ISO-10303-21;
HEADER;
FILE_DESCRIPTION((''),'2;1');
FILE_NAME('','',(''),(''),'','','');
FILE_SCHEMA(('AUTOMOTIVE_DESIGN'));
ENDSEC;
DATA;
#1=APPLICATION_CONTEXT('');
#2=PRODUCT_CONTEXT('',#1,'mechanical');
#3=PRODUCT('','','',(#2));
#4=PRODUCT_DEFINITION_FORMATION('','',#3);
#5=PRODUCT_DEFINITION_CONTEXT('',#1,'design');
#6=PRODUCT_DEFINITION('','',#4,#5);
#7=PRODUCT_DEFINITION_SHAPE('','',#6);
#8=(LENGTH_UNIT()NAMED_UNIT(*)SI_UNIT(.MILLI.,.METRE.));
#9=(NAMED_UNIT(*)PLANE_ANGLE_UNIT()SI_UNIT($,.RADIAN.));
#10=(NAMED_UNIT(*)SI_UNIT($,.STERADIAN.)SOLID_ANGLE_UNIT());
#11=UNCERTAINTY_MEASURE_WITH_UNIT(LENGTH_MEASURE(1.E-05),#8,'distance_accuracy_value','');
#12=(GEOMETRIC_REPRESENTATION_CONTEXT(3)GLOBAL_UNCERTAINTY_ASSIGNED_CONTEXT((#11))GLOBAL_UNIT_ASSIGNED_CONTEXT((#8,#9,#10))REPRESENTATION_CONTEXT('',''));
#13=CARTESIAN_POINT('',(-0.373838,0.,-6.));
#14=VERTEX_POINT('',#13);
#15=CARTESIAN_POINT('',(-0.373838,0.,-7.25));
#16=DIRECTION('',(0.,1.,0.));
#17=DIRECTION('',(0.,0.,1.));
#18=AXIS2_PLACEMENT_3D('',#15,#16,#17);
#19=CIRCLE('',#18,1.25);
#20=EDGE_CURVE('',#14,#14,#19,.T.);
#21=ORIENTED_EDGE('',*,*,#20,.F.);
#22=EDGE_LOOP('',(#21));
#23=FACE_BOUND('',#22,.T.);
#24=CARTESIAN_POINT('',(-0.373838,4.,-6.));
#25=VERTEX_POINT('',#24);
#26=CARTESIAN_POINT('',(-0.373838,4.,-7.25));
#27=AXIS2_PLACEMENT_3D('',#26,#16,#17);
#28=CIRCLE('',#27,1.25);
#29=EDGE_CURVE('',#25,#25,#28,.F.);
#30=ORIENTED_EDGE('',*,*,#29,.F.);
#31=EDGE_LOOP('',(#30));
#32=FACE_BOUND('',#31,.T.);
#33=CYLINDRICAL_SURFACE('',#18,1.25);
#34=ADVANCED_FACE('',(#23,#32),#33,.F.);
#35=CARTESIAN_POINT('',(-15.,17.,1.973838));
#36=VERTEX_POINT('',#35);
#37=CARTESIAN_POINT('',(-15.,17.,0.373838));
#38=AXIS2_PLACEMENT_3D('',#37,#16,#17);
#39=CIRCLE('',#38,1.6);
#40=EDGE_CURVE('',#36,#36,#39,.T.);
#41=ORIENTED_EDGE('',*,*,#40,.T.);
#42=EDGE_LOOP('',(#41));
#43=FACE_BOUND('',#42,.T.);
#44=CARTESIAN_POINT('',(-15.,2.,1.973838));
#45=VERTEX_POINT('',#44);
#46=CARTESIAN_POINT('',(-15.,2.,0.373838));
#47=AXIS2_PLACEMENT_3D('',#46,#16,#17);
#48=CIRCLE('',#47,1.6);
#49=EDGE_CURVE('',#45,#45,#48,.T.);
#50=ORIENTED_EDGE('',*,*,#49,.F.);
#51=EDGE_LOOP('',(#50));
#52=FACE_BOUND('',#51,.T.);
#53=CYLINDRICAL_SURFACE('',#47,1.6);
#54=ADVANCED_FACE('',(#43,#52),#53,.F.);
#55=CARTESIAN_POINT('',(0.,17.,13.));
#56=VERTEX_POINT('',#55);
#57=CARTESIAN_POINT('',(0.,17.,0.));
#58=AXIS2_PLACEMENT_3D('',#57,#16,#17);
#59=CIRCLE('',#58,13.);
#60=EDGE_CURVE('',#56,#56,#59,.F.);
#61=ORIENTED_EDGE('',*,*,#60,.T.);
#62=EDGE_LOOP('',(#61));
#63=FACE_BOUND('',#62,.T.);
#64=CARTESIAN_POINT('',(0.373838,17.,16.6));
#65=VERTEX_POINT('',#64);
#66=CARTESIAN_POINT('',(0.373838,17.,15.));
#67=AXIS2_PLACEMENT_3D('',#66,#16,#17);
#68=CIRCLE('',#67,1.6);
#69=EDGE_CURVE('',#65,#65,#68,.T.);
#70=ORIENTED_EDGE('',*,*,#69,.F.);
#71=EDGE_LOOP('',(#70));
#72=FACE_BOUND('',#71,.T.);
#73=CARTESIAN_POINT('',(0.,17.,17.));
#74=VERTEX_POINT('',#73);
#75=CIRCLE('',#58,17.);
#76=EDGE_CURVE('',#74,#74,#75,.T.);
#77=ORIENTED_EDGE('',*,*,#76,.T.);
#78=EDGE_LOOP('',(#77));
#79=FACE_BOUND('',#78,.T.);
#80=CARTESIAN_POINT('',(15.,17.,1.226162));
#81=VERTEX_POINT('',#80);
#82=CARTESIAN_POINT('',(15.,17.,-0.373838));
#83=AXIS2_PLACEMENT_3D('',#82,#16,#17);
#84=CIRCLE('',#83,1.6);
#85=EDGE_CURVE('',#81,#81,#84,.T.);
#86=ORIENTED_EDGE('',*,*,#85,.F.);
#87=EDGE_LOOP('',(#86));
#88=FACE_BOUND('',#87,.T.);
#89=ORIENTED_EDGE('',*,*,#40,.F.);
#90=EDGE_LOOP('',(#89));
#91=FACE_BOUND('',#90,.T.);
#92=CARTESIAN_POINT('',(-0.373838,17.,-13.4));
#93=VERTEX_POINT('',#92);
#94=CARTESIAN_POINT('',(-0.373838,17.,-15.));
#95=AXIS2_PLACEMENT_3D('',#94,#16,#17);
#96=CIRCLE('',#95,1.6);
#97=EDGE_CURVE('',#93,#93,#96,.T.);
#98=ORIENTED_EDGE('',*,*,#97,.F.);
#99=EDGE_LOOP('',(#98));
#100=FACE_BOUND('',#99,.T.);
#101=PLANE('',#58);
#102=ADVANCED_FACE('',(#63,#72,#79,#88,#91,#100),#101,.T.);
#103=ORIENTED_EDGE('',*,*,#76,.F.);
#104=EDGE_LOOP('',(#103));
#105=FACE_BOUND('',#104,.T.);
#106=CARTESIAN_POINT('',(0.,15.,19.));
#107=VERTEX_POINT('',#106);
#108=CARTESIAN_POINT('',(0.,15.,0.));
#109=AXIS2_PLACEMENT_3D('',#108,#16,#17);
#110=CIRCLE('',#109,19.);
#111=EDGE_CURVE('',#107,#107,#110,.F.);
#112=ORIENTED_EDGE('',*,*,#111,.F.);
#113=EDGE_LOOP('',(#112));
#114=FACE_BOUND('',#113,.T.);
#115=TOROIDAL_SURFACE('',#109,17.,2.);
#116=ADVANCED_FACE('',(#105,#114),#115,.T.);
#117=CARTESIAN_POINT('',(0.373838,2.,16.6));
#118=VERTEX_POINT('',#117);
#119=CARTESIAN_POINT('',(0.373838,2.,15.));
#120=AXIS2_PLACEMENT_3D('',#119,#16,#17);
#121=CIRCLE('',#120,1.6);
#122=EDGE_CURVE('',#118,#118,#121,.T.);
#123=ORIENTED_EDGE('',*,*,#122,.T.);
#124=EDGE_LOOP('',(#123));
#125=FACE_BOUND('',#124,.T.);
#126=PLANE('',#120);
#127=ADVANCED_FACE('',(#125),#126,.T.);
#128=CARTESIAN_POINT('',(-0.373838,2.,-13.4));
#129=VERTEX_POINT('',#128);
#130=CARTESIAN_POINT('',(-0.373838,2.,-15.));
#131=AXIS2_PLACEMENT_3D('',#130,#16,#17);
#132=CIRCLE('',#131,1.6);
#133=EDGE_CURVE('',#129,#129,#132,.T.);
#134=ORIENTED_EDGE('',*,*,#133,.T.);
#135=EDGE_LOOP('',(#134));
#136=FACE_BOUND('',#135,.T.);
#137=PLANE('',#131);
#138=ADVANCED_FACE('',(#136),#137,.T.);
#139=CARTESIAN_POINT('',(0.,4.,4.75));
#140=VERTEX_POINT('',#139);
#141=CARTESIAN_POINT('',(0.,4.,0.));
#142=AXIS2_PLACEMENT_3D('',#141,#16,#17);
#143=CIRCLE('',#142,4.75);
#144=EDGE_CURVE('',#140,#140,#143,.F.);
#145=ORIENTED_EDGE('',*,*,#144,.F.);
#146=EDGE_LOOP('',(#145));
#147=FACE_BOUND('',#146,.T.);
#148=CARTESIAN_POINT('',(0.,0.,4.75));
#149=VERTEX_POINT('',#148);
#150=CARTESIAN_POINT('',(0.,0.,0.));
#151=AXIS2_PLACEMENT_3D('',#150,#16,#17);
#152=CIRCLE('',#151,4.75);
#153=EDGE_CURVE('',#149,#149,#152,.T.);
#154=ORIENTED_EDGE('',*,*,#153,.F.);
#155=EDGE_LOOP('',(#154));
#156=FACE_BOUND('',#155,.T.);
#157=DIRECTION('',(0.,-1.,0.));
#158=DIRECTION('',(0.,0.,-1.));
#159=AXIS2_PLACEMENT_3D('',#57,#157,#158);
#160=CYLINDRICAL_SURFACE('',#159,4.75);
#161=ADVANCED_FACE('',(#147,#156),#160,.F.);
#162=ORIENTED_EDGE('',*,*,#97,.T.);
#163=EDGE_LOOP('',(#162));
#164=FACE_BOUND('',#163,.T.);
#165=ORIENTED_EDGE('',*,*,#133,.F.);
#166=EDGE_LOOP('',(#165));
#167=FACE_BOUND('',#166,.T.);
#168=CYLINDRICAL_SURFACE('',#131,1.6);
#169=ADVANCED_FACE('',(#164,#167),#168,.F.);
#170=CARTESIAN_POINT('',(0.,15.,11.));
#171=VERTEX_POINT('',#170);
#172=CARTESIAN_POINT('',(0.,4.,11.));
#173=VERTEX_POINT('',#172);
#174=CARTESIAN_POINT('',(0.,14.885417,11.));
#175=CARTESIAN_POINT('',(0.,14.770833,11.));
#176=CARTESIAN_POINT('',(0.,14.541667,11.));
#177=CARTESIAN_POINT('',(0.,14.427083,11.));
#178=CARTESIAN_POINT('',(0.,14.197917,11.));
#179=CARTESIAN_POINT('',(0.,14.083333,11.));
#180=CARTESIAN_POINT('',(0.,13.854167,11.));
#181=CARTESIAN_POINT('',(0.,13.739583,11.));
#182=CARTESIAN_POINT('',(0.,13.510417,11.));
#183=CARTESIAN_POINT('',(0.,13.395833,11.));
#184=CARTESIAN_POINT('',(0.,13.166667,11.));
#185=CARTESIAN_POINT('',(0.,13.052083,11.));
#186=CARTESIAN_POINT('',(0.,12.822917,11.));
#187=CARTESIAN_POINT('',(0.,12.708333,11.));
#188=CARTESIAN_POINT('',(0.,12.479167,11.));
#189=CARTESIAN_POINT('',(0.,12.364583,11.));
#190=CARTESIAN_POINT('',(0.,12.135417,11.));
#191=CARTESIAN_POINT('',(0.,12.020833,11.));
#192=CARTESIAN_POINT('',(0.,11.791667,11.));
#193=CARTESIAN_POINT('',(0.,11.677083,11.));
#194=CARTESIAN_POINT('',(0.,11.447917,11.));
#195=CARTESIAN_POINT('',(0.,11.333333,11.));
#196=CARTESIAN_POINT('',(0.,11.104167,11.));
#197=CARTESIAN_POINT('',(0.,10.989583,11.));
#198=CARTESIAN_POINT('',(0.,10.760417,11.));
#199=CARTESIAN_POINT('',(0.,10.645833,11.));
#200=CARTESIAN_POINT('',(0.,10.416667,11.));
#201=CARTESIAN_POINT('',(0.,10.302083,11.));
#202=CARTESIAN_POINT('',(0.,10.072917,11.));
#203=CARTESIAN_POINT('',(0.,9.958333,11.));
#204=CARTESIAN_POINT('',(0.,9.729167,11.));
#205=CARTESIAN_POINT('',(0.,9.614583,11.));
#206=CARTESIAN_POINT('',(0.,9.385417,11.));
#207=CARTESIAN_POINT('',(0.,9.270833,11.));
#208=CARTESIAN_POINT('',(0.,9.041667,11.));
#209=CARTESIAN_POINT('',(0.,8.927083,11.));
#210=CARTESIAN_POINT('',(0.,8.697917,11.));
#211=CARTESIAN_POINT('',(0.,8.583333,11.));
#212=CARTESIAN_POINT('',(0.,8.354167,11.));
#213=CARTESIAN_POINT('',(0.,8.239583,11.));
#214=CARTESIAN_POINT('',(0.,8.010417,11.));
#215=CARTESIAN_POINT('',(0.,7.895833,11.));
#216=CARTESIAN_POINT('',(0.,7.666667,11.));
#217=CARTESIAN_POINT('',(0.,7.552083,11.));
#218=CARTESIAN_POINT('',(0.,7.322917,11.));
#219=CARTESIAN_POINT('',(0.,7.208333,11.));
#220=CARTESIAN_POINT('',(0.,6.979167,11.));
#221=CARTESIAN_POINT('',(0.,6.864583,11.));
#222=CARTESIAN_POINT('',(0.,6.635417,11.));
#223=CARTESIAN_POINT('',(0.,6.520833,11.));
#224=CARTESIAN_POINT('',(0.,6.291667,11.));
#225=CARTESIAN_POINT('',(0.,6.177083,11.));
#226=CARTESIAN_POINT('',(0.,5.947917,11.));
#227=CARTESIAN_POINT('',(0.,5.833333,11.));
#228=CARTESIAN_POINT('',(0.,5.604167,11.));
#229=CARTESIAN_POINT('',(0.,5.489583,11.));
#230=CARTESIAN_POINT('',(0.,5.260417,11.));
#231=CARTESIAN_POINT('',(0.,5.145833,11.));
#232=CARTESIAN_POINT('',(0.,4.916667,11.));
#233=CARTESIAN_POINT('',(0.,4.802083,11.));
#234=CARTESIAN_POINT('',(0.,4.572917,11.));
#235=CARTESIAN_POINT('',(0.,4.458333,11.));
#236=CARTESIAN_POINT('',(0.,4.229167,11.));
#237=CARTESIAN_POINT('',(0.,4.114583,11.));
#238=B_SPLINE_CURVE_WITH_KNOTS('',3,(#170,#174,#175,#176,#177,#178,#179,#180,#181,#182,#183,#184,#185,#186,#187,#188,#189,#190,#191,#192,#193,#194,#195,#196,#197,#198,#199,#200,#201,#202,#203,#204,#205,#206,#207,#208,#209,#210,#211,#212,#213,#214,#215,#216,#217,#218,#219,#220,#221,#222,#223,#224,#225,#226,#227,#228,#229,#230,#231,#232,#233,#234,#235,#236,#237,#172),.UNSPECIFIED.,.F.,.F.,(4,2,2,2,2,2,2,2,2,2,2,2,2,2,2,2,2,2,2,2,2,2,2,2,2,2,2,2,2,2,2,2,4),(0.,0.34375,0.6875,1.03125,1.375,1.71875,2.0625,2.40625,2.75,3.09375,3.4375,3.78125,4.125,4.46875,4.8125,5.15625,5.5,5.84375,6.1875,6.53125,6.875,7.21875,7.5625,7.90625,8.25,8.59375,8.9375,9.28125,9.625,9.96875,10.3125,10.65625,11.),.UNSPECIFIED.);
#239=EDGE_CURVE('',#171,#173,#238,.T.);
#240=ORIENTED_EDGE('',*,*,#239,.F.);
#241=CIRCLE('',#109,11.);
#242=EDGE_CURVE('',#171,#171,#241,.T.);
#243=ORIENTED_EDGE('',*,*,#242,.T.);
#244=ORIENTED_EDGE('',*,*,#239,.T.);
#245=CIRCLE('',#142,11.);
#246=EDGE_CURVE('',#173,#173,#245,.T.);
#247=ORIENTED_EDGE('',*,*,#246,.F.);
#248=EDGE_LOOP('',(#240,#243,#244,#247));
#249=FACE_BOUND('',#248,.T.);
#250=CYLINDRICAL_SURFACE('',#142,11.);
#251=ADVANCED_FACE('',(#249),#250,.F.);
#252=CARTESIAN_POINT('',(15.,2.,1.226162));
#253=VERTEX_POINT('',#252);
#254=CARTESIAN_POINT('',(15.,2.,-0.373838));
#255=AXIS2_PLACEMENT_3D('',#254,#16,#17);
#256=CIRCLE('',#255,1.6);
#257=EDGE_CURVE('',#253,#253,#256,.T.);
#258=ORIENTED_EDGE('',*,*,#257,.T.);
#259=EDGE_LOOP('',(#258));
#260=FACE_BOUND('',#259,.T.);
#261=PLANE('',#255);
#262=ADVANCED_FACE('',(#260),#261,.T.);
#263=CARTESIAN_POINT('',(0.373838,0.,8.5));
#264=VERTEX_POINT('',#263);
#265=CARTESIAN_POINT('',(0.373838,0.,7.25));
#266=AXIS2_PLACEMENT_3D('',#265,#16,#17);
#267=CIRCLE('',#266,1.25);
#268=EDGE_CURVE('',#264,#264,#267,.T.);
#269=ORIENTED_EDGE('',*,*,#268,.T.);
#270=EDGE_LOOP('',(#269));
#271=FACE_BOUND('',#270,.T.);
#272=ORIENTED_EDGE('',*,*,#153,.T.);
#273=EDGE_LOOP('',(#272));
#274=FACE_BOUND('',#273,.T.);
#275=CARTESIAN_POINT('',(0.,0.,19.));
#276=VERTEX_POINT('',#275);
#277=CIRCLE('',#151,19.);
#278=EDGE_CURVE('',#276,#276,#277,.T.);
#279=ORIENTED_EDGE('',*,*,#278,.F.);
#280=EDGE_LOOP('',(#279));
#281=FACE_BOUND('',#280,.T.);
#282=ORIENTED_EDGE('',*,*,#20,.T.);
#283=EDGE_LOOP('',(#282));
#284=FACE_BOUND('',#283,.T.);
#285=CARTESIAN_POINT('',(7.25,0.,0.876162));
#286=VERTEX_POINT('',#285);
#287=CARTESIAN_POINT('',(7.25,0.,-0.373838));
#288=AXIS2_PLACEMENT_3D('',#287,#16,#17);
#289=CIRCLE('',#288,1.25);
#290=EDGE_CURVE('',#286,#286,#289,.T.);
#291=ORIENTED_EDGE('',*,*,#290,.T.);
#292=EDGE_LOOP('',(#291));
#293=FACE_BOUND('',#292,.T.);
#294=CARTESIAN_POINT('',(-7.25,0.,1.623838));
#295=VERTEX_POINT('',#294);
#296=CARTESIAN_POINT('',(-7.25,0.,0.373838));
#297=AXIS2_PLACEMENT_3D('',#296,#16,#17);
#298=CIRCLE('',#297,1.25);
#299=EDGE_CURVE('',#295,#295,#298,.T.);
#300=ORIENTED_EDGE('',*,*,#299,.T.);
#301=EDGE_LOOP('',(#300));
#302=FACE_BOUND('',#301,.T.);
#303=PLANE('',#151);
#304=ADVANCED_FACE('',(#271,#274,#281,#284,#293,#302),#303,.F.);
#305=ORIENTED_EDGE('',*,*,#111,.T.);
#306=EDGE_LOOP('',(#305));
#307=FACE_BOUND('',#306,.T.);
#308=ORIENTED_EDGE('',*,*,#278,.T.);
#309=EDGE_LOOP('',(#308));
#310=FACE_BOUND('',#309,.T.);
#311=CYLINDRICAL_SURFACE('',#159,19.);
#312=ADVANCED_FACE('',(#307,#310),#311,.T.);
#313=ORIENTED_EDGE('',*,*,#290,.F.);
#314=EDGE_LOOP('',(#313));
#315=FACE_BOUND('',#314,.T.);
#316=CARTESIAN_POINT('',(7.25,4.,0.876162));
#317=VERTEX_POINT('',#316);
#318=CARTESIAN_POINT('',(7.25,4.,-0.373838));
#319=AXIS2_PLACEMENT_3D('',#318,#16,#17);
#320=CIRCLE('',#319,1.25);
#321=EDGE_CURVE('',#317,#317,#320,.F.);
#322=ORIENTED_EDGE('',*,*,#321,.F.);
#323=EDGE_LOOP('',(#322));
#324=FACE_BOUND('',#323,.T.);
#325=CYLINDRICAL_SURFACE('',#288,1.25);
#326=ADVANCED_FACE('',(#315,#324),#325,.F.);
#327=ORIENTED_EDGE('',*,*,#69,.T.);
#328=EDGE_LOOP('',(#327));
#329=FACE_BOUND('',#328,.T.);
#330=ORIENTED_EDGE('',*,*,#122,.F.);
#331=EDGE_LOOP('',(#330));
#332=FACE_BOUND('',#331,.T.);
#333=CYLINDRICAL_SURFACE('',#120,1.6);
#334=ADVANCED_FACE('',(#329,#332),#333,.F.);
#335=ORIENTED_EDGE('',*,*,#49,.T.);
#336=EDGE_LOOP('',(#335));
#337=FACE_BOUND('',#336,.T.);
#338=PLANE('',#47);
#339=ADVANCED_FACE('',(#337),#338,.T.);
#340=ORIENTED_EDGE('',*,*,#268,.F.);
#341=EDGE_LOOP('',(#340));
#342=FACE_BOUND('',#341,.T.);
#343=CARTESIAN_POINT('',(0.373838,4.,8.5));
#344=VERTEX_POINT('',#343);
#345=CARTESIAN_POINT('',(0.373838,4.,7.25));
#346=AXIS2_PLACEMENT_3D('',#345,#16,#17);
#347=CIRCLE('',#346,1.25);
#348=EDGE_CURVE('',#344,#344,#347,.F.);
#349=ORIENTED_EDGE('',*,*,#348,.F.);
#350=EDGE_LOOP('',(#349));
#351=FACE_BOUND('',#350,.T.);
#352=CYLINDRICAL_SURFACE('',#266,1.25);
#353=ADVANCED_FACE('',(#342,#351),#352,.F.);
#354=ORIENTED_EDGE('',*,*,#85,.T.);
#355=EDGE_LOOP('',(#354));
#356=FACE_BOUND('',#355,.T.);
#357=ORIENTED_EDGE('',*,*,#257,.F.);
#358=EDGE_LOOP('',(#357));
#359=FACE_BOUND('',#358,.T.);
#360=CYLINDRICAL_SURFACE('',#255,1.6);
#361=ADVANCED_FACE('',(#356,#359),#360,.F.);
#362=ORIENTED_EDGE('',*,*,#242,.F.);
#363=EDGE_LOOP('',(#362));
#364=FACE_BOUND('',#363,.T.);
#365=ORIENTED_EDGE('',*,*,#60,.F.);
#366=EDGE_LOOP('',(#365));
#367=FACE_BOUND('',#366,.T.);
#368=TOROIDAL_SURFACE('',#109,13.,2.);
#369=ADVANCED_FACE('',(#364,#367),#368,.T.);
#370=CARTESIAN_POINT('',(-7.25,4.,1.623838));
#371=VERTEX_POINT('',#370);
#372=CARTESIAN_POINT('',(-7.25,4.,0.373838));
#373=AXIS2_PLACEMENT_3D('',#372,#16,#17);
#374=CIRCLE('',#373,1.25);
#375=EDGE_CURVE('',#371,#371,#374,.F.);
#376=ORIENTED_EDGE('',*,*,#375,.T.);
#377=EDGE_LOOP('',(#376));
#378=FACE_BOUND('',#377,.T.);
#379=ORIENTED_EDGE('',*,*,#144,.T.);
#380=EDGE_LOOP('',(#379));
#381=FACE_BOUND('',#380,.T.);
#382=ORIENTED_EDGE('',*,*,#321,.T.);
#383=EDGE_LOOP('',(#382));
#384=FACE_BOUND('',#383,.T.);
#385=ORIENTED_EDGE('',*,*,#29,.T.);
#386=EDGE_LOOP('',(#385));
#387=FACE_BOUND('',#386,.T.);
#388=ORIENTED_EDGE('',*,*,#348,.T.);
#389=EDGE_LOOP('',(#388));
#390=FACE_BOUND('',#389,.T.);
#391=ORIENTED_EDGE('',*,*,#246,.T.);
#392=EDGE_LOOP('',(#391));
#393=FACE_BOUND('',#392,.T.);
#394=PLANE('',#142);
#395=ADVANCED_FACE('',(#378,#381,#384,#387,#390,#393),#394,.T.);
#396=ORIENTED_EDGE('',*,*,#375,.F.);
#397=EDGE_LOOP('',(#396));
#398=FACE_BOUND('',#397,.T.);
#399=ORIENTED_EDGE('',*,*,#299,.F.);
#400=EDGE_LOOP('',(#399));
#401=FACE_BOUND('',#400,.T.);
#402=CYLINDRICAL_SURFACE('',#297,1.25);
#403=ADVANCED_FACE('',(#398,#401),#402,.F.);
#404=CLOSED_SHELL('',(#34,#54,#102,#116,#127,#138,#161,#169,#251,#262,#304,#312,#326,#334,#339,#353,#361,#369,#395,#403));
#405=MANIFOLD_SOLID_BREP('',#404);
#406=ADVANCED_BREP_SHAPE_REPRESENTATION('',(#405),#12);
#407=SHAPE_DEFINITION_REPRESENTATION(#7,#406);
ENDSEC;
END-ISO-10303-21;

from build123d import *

# Parameters (mm, degrees)
SKETCH1_R           = 19
SKETCH1_R_2         = 4.75
BOSS_EXTRUDE1_DEPTH = 17
SKETCH2_R           = 1.25
CUT_EXTRUDE1_DEPTH  = 32.796226191
SKETCH3_R           = 1.6
CUT_EXTRUDE2_DEPTH  = 15
SKETCH4_R           = 11
SKETCH4_R_2         = 1.25
SKETCH4_R_3         = 4.75
CUT_EXTRUDE4_DEPTH  = 13
FILLET3_R           = 2


with BuildPart() as part:
    # Sketch1 → Boss-Extrude1 (new body)
    with BuildSketch(Plane(origin=(0, 0, 0), x_dir=(1, 0, 0), z_dir=(0, 1, 0))):
        with Locations(Location((0, 0, 0), (0, 0, 270))):
            Circle(SKETCH1_R)
        with Locations(Location((0, 0, 0), (0, 0, 270))):
            Circle(SKETCH1_R_2, mode=Mode.SUBTRACT)
    extrude(amount=BOSS_EXTRUDE1_DEPTH)

    # Sketch2 → Cut-Extrude1 (cut, through all)
    with BuildSketch(Plane(origin=(0, 17, 0), x_dir=(1, 0, 0), z_dir=(0, 1, 0))):
        with Locations(Location((-0.373838074, 7.25, 0), (0, 0, 270))):
            Circle(SKETCH2_R)
        with Locations(Location((7.25, 0.373838074, 0), (0, 0, 270))):
            Circle(SKETCH2_R)
        with Locations(Location((0.373838074, -7.25, 0), (0, 0, 270))):
            Circle(SKETCH2_R)
        with Locations(Location((-7.25, -0.373838074, 0), (0, 0, 270))):
            Circle(SKETCH2_R)
    extrude(amount=-CUT_EXTRUDE1_DEPTH, mode=Mode.SUBTRACT)

    # Sketch3 → Cut-Extrude2 (cut)
    with BuildSketch(Plane(origin=(0, 17, 0), x_dir=(1, 0, 0), z_dir=(0, 1, 0))):
        with Locations(Location((-0.373838074, 15, 0), (0, 0, 270))):
            Circle(SKETCH3_R)
        with Locations(Location((15, 0.373838074, 0), (0, 0, 270))):
            Circle(SKETCH3_R)
        with Locations(Location((0.373838074, -15, 0), (0, 0, 270))):
            Circle(SKETCH3_R)
        with Locations(Location((-15, -0.373838074, 0), (0, 0, 270))):
            Circle(SKETCH3_R)
    extrude(amount=-CUT_EXTRUDE2_DEPTH, mode=Mode.SUBTRACT)

    # Sketch4 → Cut-Extrude4 (cut)
    with BuildSketch(Plane(origin=(0, 17, 0), x_dir=(1, 0, 0), z_dir=(0, 1, 0))):
        with Locations(Location((0, 0, 0), (0, 0, 270))):
            Circle(SKETCH4_R)
        with Locations(Location((-0.373838074, 7.25, 0), (0, 0, 270))):
            Circle(SKETCH4_R_2, mode=Mode.SUBTRACT)
        with Locations(Location((0.373838074, -7.25, 0), (0, 0, 270))):
            Circle(SKETCH4_R_2, mode=Mode.SUBTRACT)
        with Locations(Location((0, 0, 0), (0, 0, 270))):
            Circle(SKETCH4_R_3, mode=Mode.SUBTRACT)
        with Locations(Location((-7.25, -0.373838074, 0), (0, 0, 270))):
            Circle(SKETCH4_R_2, mode=Mode.SUBTRACT)
        with Locations(Location((7.25, 0.373838074, 0), (0, 0, 270))):
            Circle(SKETCH4_R_2, mode=Mode.SUBTRACT)
    extrude(amount=-CUT_EXTRUDE4_DEPTH, mode=Mode.SUBTRACT)

    # Fillet3
    fillet3_edges = [part.edges().sort_by_distance(p)[0] for p in [
        (0, 17, -11),
        (0, 17, -19),
    ]]
    fillet(fillet3_edges, radius=FILLET3_R)


solid = part.part
